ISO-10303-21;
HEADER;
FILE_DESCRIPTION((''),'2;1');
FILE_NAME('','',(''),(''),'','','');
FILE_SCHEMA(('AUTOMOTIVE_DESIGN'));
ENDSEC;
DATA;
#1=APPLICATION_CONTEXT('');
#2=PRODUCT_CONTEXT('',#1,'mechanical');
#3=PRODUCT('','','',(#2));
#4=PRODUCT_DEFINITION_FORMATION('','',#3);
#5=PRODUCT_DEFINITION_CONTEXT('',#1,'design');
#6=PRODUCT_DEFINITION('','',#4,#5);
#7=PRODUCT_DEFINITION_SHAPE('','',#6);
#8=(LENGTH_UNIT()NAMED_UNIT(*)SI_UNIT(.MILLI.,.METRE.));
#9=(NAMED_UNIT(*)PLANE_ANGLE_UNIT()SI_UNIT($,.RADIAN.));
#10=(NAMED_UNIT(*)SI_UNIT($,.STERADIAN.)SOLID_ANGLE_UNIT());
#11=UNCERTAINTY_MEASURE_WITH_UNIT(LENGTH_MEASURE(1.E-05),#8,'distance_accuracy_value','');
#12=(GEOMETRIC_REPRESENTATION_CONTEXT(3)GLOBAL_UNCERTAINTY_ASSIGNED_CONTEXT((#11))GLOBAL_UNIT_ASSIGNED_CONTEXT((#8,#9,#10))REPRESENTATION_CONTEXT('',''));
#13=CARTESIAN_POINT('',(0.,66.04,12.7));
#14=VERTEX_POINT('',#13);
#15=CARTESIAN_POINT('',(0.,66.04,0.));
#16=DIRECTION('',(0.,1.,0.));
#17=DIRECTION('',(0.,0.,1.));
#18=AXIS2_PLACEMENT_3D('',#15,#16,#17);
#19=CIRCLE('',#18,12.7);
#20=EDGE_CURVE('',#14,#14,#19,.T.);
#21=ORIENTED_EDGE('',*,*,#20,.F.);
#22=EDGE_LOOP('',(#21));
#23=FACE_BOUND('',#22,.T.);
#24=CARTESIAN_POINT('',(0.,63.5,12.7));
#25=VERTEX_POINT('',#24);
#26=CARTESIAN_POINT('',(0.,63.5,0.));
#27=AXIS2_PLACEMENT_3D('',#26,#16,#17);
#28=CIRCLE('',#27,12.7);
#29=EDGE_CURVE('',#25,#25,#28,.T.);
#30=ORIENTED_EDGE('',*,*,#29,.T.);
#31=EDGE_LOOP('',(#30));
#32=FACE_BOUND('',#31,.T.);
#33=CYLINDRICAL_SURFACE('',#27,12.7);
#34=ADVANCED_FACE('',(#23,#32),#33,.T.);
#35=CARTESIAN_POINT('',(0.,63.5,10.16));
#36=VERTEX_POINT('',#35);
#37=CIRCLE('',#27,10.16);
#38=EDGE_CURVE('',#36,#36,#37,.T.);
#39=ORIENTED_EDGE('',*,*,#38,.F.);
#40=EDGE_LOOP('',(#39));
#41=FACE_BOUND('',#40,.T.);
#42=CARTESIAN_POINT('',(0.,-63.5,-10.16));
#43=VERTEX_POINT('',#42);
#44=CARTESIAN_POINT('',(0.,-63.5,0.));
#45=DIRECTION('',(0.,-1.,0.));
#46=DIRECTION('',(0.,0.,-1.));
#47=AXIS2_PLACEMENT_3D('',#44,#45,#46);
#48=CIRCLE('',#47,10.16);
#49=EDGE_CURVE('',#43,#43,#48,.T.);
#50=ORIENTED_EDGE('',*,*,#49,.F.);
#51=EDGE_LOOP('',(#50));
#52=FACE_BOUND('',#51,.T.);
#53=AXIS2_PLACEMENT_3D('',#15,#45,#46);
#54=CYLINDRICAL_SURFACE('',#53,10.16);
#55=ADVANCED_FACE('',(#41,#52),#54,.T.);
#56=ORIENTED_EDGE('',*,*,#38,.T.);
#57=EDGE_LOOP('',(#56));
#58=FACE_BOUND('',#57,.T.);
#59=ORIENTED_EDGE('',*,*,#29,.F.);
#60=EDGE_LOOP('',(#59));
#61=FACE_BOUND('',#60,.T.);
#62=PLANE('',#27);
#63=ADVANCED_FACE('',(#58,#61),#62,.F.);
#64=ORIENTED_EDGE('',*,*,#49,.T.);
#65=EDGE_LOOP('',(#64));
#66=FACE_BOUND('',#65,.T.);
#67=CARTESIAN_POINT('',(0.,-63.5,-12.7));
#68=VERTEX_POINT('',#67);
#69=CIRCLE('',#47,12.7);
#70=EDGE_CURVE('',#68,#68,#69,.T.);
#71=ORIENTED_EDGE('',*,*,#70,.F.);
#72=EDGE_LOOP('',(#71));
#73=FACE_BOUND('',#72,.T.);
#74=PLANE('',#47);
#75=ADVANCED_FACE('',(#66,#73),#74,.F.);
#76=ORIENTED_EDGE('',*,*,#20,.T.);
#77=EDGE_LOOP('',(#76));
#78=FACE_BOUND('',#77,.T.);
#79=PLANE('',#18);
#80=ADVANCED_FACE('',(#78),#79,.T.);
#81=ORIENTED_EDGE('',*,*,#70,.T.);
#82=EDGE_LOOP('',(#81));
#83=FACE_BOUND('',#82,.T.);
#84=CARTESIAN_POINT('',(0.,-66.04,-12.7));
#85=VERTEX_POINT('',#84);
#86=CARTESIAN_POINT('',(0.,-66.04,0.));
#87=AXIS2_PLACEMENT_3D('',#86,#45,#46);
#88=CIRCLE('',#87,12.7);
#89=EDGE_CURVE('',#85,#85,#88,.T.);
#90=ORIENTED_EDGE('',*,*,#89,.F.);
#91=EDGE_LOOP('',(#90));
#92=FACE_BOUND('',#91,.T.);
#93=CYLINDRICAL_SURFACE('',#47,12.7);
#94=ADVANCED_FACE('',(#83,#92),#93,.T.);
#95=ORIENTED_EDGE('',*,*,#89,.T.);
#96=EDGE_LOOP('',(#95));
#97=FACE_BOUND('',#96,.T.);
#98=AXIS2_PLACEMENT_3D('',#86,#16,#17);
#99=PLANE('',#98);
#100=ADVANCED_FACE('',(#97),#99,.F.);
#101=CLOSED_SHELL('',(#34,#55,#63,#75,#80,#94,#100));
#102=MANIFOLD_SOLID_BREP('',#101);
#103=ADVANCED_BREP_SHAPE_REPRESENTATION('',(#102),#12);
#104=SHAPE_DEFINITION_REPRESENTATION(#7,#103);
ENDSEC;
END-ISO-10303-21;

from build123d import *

# Parameters (mm, degrees)
SKETCH1_R           = 10.16
BOSS_EXTRUDE1_DEPTH = 66.04
SKETCH2_R           = 12.7
BOSS_EXTRUDE2_DEPTH = 2.54
BOSS_EXTRUDE3_START = -2.54
SKETCH3_R           = 12.7
BOSS_EXTRUDE3_DEPTH = 2.54


with BuildPart() as part:
    # Sketch1 → Boss-Extrude1 (new, symmetric)
    with BuildSketch(Plane(origin=(0, 0, 0), x_dir=(1, 0, 0), z_dir=(0, 1, 0))):
        with Locations(Location((0, 0, 0), (0, 0, 270))):
            Circle(SKETCH1_R)
    extrude(amount=BOSS_EXTRUDE1_DEPTH, both=True)

    # Sketch2 → Boss-Extrude2 (add)
    with BuildSketch(Plane(origin=(0, 66.04, 0), x_dir=(1, 0, 0), z_dir=(0, 1, 0))):
        with Locations(Location((0, 0, 0), (0, 0, 270))):
            Circle(SKETCH2_R)
    extrude(amount=-BOSS_EXTRUDE2_DEPTH)

    # Sketch3 → Boss-Extrude3 (add)
    with BuildSketch(Plane.XZ.offset(66.04).offset(BOSS_EXTRUDE3_START)):
        with Locations(Location((0, 0, 0), (0, 0, 90))):
            Circle(SKETCH3_R)
    extrude(amount=BOSS_EXTRUDE3_DEPTH)


solid = part.part
